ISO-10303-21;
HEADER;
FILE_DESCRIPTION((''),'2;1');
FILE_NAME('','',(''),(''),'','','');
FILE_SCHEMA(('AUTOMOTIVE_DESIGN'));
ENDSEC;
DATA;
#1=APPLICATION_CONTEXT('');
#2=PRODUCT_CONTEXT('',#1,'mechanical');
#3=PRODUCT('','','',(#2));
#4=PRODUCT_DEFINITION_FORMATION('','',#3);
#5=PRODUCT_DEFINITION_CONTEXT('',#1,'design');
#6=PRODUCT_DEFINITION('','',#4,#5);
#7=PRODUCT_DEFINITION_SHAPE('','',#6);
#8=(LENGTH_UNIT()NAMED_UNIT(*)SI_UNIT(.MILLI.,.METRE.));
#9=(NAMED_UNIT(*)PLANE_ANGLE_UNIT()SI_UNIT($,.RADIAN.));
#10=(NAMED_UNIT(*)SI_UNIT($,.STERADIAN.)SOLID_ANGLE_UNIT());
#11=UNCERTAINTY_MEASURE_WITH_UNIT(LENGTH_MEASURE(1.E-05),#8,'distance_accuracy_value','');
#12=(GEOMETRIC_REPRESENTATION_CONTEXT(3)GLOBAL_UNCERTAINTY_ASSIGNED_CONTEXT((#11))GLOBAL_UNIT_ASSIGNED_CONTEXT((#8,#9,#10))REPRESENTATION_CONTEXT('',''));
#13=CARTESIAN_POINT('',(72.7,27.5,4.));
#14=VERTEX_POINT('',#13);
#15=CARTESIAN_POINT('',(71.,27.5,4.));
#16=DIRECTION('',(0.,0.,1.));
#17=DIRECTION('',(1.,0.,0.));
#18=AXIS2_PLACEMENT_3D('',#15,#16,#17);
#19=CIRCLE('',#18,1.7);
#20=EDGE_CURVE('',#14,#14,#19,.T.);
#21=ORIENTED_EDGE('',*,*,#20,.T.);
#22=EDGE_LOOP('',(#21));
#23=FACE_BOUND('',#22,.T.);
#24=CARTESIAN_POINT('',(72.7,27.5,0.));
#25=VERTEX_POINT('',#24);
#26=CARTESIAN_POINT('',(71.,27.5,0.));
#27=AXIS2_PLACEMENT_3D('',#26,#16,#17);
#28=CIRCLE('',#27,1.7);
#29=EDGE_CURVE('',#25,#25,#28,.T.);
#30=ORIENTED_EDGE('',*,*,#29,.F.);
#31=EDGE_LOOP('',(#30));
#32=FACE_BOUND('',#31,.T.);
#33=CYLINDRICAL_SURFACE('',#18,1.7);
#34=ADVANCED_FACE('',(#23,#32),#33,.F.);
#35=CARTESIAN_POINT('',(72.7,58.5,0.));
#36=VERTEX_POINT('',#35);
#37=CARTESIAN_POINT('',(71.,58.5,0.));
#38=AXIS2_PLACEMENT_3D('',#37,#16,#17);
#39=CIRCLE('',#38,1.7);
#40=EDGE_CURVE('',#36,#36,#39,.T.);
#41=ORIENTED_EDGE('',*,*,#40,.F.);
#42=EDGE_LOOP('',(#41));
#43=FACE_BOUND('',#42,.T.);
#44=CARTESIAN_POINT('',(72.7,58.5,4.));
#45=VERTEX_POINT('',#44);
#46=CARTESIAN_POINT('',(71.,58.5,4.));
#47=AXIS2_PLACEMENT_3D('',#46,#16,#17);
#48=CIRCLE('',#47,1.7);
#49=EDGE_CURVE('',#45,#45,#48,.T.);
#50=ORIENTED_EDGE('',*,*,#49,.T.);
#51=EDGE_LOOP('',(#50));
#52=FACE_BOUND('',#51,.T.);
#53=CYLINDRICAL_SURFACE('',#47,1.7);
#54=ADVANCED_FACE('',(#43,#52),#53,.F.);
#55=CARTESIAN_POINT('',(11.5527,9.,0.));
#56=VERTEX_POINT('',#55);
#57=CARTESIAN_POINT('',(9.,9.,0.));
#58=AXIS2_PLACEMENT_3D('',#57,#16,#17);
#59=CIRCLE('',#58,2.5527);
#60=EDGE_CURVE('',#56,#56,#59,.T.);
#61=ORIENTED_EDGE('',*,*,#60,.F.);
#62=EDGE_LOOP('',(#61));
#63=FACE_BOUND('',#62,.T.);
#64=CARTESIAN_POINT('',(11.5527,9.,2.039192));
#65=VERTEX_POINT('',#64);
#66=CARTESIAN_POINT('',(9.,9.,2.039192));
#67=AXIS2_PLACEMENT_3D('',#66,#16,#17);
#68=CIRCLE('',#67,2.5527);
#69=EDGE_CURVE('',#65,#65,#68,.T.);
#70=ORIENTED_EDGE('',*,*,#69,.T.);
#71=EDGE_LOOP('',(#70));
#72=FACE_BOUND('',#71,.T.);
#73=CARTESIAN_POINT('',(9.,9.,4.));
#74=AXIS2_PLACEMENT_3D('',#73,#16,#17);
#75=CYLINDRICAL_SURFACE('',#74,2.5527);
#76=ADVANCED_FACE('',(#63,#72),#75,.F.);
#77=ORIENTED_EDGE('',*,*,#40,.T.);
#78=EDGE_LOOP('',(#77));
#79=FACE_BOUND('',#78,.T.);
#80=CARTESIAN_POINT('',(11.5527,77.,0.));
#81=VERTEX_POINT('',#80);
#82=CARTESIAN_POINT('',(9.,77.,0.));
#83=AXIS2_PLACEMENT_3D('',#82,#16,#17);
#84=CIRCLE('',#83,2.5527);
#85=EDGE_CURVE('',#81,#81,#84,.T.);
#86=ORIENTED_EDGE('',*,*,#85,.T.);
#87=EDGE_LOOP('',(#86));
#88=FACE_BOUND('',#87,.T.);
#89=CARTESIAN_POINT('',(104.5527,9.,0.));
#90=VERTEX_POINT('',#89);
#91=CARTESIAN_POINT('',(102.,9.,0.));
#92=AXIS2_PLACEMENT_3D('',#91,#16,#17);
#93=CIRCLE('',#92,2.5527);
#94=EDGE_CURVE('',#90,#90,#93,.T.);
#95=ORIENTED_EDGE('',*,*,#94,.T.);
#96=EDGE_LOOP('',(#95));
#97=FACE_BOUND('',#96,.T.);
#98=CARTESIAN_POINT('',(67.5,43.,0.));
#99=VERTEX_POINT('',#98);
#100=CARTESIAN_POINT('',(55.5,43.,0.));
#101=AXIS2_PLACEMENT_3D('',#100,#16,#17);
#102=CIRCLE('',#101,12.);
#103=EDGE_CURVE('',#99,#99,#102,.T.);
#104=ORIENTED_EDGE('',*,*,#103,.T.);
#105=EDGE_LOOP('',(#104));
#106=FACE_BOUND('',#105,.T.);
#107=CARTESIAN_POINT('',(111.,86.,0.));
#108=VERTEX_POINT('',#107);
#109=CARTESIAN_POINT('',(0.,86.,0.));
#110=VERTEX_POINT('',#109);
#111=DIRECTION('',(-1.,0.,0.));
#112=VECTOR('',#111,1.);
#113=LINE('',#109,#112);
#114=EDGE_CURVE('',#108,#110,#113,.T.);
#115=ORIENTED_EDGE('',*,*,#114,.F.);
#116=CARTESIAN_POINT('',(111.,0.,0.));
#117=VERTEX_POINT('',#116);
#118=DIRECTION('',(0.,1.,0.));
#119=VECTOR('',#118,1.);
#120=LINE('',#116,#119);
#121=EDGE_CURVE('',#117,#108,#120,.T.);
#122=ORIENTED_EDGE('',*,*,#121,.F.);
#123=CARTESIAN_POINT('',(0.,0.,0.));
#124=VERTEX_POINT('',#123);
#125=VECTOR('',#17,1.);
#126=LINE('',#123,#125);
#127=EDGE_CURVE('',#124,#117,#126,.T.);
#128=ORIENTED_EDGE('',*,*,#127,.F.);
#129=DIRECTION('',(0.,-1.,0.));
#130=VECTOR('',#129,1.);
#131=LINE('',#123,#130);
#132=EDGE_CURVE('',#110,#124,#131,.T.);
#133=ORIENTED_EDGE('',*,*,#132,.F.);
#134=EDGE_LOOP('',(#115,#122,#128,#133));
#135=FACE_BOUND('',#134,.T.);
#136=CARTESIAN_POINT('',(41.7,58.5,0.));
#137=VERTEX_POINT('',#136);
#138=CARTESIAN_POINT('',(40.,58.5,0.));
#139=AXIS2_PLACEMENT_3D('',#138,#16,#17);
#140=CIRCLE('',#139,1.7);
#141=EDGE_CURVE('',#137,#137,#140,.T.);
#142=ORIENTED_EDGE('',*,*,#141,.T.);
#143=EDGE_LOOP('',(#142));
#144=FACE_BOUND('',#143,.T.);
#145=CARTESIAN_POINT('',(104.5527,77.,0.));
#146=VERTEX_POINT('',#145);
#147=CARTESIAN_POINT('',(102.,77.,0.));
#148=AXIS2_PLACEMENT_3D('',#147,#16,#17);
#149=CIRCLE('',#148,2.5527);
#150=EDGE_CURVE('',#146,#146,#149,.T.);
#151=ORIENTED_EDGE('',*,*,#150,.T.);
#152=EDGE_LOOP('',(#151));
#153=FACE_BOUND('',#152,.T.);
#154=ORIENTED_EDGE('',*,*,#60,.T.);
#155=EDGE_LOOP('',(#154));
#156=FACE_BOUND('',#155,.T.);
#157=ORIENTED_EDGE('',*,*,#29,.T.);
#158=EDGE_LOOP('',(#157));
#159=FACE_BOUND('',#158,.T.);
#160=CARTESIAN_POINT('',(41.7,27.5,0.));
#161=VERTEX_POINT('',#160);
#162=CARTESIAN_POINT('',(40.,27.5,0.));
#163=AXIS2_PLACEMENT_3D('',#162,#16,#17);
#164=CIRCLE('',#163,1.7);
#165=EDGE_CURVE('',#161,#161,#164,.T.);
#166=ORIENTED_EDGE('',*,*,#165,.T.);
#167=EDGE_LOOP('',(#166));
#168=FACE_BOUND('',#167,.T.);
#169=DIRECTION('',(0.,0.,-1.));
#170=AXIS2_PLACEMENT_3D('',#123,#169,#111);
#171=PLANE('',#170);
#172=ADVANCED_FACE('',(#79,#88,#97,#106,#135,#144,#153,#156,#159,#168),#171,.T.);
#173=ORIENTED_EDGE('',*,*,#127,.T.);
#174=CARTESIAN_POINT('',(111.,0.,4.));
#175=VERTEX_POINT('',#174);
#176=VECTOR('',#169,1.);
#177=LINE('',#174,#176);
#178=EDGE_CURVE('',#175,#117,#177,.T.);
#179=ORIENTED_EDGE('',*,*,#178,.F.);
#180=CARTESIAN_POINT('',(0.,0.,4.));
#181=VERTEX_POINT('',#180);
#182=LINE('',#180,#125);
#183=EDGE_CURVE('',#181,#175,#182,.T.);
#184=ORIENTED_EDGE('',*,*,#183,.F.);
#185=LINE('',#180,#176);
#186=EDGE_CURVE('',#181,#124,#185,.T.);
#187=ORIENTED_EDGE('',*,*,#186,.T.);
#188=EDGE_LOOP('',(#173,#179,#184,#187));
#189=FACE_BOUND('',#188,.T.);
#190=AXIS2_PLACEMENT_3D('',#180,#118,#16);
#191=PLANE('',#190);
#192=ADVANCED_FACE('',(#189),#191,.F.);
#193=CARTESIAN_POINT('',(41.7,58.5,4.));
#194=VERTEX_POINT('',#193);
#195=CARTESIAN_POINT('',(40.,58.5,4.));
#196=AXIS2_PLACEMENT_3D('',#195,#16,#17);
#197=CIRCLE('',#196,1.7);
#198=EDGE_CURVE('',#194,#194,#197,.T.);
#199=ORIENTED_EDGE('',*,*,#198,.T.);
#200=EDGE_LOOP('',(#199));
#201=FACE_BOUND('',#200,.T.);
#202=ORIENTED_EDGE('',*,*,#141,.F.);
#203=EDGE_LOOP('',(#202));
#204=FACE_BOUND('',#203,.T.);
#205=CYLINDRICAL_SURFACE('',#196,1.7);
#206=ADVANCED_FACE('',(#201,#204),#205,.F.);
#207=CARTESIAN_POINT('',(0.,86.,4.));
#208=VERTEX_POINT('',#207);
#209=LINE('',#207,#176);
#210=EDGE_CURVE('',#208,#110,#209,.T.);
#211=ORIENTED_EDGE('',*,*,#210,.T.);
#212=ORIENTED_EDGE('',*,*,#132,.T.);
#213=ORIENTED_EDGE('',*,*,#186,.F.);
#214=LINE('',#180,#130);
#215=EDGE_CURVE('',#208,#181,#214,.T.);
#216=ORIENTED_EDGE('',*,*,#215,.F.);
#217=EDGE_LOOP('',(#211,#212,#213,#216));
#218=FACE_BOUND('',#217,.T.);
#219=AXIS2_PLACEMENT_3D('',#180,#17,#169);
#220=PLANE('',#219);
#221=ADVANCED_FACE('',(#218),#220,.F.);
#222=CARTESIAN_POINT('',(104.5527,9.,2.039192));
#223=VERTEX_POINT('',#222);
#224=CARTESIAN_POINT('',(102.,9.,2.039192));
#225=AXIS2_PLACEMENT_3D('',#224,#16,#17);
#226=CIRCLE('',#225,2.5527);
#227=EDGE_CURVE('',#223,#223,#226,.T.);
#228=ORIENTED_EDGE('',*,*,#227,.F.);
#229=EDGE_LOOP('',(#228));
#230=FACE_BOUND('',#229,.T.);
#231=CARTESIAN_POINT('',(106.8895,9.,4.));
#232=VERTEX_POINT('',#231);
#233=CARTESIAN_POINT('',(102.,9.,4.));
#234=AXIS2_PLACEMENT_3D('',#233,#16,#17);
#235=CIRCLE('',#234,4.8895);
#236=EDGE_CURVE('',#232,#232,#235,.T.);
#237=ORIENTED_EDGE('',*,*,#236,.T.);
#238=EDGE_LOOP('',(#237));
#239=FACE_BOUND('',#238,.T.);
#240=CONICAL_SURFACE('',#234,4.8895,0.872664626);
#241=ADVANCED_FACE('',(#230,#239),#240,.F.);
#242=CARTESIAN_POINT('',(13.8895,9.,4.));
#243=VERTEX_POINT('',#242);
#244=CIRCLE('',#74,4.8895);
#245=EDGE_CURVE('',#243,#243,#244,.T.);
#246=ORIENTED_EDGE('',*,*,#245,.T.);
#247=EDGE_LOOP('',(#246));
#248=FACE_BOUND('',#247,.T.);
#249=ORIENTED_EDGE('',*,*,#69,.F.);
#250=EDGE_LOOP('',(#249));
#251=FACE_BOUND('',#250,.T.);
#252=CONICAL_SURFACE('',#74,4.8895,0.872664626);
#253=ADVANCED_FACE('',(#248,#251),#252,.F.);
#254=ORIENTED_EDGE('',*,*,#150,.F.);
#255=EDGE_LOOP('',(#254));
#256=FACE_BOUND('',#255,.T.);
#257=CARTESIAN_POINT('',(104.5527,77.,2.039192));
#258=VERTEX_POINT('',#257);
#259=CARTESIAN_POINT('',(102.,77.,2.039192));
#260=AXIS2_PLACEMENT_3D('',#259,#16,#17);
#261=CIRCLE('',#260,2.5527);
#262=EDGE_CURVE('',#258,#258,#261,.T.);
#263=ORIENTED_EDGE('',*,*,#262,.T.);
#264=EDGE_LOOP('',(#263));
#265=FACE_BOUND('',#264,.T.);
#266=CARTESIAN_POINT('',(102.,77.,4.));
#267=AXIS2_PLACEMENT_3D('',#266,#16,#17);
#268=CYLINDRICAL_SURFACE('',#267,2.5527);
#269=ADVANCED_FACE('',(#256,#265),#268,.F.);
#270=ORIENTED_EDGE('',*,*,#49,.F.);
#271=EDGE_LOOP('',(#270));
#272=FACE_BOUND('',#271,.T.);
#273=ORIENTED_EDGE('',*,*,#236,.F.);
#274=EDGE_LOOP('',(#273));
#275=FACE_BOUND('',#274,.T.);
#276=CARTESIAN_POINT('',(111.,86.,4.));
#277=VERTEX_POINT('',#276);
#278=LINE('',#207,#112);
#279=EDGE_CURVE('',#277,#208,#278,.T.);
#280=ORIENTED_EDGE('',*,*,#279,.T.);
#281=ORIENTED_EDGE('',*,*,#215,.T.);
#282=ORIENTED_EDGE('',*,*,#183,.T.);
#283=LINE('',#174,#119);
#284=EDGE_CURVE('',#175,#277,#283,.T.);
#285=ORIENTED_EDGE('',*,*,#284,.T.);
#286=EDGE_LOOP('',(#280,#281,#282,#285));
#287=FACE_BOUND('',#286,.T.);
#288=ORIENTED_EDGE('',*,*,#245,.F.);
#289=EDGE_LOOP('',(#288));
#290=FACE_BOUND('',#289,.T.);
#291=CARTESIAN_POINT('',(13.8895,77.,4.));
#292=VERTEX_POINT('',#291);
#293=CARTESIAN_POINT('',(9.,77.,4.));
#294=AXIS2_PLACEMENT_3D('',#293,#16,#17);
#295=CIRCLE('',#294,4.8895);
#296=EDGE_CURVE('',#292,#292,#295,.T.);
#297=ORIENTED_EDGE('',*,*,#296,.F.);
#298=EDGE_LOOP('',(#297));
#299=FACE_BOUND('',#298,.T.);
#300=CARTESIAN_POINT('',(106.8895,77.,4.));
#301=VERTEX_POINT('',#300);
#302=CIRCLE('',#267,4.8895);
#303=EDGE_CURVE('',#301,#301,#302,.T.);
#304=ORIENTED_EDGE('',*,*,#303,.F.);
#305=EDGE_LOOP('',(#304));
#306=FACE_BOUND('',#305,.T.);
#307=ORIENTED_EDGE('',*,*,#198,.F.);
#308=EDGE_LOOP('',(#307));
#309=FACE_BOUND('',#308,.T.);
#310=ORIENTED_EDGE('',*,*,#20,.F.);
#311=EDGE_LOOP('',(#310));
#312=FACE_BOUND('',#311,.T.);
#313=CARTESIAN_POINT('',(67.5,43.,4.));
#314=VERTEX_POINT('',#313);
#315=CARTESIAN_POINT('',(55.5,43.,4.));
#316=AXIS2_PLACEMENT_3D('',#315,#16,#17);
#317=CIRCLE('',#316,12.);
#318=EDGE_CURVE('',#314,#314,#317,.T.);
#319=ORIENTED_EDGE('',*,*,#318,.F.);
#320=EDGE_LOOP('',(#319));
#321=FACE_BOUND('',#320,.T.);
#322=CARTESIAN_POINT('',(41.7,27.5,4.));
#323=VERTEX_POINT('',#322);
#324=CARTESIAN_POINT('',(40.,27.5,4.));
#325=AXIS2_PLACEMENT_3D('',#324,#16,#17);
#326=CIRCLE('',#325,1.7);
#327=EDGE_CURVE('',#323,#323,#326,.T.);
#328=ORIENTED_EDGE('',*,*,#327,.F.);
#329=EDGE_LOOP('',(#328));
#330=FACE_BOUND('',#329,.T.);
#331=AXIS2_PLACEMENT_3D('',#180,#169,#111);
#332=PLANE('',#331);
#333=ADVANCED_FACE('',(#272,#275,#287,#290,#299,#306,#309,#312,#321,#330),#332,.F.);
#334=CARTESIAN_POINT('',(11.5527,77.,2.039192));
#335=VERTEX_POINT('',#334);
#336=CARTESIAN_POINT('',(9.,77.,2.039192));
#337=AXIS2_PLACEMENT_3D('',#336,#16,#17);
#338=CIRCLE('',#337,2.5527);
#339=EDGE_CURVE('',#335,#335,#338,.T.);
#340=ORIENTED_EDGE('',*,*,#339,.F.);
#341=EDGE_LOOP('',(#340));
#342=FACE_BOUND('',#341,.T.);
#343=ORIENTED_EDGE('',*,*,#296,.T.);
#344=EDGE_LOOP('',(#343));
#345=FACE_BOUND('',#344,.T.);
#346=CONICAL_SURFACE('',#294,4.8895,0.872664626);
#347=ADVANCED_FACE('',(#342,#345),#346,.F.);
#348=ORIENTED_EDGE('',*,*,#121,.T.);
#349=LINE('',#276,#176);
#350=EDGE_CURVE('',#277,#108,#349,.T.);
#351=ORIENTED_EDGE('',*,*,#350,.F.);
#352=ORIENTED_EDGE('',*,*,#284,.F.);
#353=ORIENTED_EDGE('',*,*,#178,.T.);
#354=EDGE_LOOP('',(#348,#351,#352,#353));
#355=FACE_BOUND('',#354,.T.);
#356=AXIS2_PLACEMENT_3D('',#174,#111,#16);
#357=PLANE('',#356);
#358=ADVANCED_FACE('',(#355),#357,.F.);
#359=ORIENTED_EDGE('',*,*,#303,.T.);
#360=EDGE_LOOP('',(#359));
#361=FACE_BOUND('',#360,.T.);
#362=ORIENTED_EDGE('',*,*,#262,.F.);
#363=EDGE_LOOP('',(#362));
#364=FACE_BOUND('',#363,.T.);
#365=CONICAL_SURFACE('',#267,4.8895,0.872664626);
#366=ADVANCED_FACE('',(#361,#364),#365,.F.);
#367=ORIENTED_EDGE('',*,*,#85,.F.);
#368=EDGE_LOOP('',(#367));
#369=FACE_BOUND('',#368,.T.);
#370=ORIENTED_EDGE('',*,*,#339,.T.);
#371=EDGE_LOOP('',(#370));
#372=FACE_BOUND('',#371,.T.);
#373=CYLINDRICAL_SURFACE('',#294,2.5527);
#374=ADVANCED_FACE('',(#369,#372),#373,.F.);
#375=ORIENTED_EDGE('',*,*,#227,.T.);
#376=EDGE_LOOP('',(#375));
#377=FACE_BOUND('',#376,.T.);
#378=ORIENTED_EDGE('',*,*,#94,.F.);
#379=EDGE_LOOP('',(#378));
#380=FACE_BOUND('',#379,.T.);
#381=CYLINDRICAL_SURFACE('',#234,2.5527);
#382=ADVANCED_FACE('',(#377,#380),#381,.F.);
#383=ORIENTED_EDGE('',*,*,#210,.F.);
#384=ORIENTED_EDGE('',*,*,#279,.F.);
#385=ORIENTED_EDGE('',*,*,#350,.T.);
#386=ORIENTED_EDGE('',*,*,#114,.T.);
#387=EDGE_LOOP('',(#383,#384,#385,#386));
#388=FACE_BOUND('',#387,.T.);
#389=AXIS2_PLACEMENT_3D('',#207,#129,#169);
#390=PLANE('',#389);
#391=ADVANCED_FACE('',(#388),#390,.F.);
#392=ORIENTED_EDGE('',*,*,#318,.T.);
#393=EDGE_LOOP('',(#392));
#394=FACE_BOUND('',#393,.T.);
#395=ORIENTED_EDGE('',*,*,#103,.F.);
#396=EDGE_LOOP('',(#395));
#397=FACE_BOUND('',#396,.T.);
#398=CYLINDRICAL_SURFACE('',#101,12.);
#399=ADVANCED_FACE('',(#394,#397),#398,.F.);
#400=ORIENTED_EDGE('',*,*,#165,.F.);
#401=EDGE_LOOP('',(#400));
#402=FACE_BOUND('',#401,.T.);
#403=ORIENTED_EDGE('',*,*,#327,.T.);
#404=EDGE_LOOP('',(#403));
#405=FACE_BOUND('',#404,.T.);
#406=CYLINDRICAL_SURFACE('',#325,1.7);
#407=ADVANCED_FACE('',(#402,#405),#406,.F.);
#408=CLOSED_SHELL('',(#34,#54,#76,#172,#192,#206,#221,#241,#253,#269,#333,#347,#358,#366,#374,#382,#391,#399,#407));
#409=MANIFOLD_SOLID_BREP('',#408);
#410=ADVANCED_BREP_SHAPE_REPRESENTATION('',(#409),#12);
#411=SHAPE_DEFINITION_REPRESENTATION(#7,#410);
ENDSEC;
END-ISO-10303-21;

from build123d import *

# Parameters (mm, degrees)
SKETCH1_W                          = 111
SKETCH1_H                          = 86
BASE_DEPTH                         = 4
NEMA_17_SCREW_HOLE_PATTERN_D       = 3.4
SKETCH5_R                          = 12
MOTOR_SHAFT_BOSS_CLEAREANCE_DEPTH  = 141.474196919
WOOD_SCREW_HOLE_PATTERN_AT_2_COUNT = 2
WOOD_SCREW_HOLE_PATTERN_AT_2_PITCH = 115.20850663
WOOD_SCREW_HOLE_PATTERN_AT_3_COUNT = 2
WOOD_SCREW_HOLE_PATTERN_AT_3_PITCH = 68
WOOD_SCREW_HOLE_PATTERN_AT_4_COUNT = 2
WOOD_SCREW_HOLE_PATTERN_AT_4_PITCH = 93


with BuildPart() as part:
    # Sketch1 → base (new body)
    with BuildSketch(Plane.XY):
        with Locations((55.5, 43)):
            Rectangle(SKETCH1_W, SKETCH1_H)
    extrude(amount=BASE_DEPTH)

    # nema 17 screw hole pattern (through all)
    with Locations(Plane.XY.offset(4)):
        with Locations((40, 58.5), (71, 27.5), (40, 27.5), (71, 58.5)):
            Hole(NEMA_17_SCREW_HOLE_PATTERN_D / 2)

    # Sketch5 → motor shaft boss cleareance (cut, through all)
    with BuildSketch(Plane.XY.offset(4)):
        with Locations((55.5, 43)):
            Circle(SKETCH5_R)
    extrude(amount=-MOTOR_SHAFT_BOSS_CLEAREANCE_DEPTH, mode=Mode.SUBTRACT)

    # Sketch7 → wood screw hole pattern (revolve, cut)
    with BuildSketch(Plane(origin=(9, 77, 4), x_dir=(0, -1, 0), z_dir=(1, 0, 0))):
        Polygon((0, 0), (0, 4), (2.5527, 4), (2.5527, 1.960808018), (4.8895, 0), align=None)
    wood_screw_hole_pattern = revolve(axis=Axis((9, 77, 10.35), (0, 0, -1)), mode=Mode.SUBTRACT)

    # wood screw hole pattern at 2: wood screw hole pattern ×2
    with Locations(*[Vector(0.8072320588129593, -0.5902341935406581, 0) * (i * WOOD_SCREW_HOLE_PATTERN_AT_2_PITCH) for i in range(1, WOOD_SCREW_HOLE_PATTERN_AT_2_COUNT)]):
        add(wood_screw_hole_pattern, mode=Mode.SUBTRACT)

    # wood screw hole pattern at 3: wood screw hole pattern ×2
    with Locations(*[(0, -i * WOOD_SCREW_HOLE_PATTERN_AT_3_PITCH, 0) for i in range(1, WOOD_SCREW_HOLE_PATTERN_AT_3_COUNT)]):
        add(wood_screw_hole_pattern, mode=Mode.SUBTRACT)

    # wood screw hole pattern at 4: wood screw hole pattern ×2
    with Locations(*[(i * WOOD_SCREW_HOLE_PATTERN_AT_4_PITCH, 0, 0) for i in range(1, WOOD_SCREW_HOLE_PATTERN_AT_4_COUNT)]):
        add(wood_screw_hole_pattern, mode=Mode.SUBTRACT)


solid = part.part
